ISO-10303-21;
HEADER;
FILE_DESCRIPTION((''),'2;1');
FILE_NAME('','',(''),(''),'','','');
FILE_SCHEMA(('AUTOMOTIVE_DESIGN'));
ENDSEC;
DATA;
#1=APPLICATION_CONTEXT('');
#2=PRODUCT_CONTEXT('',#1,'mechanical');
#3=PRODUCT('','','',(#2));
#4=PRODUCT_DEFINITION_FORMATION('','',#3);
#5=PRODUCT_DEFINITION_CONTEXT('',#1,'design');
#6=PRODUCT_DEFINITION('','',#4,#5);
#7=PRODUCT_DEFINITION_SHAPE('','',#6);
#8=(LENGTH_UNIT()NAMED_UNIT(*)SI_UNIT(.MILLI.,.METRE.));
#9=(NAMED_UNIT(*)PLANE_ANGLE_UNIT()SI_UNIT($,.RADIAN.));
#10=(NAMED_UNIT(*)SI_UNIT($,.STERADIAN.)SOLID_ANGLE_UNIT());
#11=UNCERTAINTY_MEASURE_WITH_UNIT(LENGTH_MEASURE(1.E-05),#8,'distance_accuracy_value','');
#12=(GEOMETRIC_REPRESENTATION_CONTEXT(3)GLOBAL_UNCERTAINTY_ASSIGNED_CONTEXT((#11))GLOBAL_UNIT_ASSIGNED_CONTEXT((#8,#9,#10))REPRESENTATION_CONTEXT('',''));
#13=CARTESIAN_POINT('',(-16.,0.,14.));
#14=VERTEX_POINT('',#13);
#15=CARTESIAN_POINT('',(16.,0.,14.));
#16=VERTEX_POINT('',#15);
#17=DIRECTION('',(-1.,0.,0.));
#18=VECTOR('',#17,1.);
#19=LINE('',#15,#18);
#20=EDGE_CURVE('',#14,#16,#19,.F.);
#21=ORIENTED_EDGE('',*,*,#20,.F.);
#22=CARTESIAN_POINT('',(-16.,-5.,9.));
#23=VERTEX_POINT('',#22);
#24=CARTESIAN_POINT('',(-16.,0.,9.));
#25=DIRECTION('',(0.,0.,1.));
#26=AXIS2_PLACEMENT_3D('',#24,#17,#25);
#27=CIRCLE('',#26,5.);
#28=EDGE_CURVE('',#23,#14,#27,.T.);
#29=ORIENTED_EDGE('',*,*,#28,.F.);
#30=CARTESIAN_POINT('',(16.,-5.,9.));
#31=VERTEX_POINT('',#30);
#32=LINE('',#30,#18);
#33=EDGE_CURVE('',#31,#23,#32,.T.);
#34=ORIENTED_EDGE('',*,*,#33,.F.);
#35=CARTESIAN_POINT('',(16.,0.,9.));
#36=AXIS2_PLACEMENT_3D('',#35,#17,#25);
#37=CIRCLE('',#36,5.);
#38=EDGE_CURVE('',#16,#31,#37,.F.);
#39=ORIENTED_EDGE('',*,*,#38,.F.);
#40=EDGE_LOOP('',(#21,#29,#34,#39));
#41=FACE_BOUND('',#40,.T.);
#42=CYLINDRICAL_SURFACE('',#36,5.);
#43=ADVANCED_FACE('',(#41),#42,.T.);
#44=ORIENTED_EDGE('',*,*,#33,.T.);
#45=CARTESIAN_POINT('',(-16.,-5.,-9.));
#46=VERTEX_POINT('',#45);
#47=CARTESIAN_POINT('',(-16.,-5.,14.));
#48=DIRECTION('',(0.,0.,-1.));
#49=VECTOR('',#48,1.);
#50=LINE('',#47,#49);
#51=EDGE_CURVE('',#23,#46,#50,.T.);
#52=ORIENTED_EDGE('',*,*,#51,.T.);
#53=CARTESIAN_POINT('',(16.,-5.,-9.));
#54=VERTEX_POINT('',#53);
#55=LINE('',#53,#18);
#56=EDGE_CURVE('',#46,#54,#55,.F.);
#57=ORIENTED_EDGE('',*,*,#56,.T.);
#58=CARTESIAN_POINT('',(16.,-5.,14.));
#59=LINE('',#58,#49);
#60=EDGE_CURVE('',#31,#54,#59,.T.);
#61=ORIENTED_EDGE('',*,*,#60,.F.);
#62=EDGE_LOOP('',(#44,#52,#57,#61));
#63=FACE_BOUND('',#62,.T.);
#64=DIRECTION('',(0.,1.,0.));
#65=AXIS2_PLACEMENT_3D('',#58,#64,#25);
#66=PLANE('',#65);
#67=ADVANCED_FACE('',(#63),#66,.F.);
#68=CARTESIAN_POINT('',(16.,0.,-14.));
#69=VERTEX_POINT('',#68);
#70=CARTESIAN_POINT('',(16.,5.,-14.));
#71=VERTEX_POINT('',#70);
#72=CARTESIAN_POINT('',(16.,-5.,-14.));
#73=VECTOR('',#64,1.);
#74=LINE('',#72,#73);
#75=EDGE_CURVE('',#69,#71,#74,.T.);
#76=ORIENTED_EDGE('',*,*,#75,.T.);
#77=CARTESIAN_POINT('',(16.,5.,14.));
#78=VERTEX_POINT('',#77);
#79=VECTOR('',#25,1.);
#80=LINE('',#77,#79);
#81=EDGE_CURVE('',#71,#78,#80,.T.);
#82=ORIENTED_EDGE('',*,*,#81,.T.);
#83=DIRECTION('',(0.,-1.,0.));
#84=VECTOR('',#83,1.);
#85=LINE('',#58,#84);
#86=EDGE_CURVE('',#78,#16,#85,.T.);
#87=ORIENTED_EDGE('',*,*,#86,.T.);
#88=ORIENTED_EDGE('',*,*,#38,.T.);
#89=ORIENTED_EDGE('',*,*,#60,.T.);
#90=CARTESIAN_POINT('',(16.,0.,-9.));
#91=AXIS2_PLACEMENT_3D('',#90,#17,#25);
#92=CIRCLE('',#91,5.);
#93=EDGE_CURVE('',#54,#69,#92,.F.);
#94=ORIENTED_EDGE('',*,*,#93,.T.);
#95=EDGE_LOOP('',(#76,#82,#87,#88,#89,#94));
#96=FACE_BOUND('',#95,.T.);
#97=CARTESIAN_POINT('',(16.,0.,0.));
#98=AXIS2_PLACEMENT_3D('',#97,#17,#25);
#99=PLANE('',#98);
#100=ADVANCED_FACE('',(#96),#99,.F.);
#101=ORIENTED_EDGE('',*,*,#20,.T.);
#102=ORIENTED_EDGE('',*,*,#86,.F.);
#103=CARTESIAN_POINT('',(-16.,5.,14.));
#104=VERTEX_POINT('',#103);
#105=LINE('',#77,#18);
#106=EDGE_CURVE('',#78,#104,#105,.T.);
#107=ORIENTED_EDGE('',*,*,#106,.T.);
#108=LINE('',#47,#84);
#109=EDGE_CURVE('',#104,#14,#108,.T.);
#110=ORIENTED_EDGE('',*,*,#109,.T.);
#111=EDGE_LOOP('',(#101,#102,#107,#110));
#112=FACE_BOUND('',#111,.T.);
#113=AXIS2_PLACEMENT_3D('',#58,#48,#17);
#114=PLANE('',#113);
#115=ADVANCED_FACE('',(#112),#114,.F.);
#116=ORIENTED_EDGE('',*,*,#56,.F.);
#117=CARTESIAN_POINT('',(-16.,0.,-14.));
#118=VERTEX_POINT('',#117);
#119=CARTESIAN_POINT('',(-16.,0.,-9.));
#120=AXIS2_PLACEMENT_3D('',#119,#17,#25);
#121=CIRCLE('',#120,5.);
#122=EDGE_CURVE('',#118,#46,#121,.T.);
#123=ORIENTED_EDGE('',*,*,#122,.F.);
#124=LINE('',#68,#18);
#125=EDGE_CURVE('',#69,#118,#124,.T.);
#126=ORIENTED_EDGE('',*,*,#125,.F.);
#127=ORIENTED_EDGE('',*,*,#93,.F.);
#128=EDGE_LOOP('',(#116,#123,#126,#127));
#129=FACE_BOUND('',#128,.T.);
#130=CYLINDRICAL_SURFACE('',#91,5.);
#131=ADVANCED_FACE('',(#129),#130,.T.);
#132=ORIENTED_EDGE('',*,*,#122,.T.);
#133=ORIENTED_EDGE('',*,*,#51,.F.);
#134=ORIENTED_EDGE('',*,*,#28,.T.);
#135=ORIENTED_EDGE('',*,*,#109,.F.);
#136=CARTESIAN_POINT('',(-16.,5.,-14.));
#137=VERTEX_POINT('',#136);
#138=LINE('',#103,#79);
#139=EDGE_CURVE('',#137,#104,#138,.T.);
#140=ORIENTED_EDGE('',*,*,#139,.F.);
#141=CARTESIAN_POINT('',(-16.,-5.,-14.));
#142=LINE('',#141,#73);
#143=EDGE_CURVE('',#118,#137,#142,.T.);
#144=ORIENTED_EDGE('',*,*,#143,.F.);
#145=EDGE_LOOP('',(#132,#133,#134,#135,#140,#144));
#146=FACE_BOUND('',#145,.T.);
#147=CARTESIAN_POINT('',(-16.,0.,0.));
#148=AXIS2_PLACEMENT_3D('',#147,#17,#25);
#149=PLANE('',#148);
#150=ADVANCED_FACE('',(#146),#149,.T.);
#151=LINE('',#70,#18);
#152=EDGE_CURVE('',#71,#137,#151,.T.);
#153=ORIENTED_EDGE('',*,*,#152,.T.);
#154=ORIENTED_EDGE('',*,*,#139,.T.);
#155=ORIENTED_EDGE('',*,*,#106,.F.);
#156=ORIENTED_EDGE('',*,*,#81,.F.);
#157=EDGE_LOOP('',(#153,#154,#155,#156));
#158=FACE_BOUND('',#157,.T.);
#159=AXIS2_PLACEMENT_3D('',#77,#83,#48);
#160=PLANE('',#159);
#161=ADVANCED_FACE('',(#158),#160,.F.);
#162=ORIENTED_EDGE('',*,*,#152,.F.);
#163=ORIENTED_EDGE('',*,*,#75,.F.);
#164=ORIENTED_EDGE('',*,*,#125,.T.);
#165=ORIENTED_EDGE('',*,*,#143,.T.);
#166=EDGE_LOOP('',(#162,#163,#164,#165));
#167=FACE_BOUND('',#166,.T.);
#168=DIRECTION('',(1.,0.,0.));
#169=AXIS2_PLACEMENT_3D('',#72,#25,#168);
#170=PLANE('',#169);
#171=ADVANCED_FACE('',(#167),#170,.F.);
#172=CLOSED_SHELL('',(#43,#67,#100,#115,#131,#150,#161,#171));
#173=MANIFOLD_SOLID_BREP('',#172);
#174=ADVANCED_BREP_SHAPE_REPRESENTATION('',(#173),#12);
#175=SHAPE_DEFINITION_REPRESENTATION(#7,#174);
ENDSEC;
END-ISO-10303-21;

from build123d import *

# Parameters (mm, degrees)
SKETCH1_W           = 28
SKETCH1_H           = 10
BOSS_EXTRUDE1_DEPTH = 16
FILLET1_R           = 5


with BuildPart() as part:
    # Sketch1 → Boss-Extrude1 (new, symmetric)
    with BuildSketch(Plane(origin=(0, 0, 0), x_dir=(0, 0, -1), z_dir=(1, 0, 0))):
        Rectangle(SKETCH1_W, SKETCH1_H)
    extrude(amount=BOSS_EXTRUDE1_DEPTH, both=True)

    # Fillet1
    fillet1_edges = [part.edges().sort_by_distance(p)[0] for p in [
        (0, -5, -14),
        (0, -5, 14),
    ]]
    fillet(fillet1_edges, radius=FILLET1_R)


solid = part.part
